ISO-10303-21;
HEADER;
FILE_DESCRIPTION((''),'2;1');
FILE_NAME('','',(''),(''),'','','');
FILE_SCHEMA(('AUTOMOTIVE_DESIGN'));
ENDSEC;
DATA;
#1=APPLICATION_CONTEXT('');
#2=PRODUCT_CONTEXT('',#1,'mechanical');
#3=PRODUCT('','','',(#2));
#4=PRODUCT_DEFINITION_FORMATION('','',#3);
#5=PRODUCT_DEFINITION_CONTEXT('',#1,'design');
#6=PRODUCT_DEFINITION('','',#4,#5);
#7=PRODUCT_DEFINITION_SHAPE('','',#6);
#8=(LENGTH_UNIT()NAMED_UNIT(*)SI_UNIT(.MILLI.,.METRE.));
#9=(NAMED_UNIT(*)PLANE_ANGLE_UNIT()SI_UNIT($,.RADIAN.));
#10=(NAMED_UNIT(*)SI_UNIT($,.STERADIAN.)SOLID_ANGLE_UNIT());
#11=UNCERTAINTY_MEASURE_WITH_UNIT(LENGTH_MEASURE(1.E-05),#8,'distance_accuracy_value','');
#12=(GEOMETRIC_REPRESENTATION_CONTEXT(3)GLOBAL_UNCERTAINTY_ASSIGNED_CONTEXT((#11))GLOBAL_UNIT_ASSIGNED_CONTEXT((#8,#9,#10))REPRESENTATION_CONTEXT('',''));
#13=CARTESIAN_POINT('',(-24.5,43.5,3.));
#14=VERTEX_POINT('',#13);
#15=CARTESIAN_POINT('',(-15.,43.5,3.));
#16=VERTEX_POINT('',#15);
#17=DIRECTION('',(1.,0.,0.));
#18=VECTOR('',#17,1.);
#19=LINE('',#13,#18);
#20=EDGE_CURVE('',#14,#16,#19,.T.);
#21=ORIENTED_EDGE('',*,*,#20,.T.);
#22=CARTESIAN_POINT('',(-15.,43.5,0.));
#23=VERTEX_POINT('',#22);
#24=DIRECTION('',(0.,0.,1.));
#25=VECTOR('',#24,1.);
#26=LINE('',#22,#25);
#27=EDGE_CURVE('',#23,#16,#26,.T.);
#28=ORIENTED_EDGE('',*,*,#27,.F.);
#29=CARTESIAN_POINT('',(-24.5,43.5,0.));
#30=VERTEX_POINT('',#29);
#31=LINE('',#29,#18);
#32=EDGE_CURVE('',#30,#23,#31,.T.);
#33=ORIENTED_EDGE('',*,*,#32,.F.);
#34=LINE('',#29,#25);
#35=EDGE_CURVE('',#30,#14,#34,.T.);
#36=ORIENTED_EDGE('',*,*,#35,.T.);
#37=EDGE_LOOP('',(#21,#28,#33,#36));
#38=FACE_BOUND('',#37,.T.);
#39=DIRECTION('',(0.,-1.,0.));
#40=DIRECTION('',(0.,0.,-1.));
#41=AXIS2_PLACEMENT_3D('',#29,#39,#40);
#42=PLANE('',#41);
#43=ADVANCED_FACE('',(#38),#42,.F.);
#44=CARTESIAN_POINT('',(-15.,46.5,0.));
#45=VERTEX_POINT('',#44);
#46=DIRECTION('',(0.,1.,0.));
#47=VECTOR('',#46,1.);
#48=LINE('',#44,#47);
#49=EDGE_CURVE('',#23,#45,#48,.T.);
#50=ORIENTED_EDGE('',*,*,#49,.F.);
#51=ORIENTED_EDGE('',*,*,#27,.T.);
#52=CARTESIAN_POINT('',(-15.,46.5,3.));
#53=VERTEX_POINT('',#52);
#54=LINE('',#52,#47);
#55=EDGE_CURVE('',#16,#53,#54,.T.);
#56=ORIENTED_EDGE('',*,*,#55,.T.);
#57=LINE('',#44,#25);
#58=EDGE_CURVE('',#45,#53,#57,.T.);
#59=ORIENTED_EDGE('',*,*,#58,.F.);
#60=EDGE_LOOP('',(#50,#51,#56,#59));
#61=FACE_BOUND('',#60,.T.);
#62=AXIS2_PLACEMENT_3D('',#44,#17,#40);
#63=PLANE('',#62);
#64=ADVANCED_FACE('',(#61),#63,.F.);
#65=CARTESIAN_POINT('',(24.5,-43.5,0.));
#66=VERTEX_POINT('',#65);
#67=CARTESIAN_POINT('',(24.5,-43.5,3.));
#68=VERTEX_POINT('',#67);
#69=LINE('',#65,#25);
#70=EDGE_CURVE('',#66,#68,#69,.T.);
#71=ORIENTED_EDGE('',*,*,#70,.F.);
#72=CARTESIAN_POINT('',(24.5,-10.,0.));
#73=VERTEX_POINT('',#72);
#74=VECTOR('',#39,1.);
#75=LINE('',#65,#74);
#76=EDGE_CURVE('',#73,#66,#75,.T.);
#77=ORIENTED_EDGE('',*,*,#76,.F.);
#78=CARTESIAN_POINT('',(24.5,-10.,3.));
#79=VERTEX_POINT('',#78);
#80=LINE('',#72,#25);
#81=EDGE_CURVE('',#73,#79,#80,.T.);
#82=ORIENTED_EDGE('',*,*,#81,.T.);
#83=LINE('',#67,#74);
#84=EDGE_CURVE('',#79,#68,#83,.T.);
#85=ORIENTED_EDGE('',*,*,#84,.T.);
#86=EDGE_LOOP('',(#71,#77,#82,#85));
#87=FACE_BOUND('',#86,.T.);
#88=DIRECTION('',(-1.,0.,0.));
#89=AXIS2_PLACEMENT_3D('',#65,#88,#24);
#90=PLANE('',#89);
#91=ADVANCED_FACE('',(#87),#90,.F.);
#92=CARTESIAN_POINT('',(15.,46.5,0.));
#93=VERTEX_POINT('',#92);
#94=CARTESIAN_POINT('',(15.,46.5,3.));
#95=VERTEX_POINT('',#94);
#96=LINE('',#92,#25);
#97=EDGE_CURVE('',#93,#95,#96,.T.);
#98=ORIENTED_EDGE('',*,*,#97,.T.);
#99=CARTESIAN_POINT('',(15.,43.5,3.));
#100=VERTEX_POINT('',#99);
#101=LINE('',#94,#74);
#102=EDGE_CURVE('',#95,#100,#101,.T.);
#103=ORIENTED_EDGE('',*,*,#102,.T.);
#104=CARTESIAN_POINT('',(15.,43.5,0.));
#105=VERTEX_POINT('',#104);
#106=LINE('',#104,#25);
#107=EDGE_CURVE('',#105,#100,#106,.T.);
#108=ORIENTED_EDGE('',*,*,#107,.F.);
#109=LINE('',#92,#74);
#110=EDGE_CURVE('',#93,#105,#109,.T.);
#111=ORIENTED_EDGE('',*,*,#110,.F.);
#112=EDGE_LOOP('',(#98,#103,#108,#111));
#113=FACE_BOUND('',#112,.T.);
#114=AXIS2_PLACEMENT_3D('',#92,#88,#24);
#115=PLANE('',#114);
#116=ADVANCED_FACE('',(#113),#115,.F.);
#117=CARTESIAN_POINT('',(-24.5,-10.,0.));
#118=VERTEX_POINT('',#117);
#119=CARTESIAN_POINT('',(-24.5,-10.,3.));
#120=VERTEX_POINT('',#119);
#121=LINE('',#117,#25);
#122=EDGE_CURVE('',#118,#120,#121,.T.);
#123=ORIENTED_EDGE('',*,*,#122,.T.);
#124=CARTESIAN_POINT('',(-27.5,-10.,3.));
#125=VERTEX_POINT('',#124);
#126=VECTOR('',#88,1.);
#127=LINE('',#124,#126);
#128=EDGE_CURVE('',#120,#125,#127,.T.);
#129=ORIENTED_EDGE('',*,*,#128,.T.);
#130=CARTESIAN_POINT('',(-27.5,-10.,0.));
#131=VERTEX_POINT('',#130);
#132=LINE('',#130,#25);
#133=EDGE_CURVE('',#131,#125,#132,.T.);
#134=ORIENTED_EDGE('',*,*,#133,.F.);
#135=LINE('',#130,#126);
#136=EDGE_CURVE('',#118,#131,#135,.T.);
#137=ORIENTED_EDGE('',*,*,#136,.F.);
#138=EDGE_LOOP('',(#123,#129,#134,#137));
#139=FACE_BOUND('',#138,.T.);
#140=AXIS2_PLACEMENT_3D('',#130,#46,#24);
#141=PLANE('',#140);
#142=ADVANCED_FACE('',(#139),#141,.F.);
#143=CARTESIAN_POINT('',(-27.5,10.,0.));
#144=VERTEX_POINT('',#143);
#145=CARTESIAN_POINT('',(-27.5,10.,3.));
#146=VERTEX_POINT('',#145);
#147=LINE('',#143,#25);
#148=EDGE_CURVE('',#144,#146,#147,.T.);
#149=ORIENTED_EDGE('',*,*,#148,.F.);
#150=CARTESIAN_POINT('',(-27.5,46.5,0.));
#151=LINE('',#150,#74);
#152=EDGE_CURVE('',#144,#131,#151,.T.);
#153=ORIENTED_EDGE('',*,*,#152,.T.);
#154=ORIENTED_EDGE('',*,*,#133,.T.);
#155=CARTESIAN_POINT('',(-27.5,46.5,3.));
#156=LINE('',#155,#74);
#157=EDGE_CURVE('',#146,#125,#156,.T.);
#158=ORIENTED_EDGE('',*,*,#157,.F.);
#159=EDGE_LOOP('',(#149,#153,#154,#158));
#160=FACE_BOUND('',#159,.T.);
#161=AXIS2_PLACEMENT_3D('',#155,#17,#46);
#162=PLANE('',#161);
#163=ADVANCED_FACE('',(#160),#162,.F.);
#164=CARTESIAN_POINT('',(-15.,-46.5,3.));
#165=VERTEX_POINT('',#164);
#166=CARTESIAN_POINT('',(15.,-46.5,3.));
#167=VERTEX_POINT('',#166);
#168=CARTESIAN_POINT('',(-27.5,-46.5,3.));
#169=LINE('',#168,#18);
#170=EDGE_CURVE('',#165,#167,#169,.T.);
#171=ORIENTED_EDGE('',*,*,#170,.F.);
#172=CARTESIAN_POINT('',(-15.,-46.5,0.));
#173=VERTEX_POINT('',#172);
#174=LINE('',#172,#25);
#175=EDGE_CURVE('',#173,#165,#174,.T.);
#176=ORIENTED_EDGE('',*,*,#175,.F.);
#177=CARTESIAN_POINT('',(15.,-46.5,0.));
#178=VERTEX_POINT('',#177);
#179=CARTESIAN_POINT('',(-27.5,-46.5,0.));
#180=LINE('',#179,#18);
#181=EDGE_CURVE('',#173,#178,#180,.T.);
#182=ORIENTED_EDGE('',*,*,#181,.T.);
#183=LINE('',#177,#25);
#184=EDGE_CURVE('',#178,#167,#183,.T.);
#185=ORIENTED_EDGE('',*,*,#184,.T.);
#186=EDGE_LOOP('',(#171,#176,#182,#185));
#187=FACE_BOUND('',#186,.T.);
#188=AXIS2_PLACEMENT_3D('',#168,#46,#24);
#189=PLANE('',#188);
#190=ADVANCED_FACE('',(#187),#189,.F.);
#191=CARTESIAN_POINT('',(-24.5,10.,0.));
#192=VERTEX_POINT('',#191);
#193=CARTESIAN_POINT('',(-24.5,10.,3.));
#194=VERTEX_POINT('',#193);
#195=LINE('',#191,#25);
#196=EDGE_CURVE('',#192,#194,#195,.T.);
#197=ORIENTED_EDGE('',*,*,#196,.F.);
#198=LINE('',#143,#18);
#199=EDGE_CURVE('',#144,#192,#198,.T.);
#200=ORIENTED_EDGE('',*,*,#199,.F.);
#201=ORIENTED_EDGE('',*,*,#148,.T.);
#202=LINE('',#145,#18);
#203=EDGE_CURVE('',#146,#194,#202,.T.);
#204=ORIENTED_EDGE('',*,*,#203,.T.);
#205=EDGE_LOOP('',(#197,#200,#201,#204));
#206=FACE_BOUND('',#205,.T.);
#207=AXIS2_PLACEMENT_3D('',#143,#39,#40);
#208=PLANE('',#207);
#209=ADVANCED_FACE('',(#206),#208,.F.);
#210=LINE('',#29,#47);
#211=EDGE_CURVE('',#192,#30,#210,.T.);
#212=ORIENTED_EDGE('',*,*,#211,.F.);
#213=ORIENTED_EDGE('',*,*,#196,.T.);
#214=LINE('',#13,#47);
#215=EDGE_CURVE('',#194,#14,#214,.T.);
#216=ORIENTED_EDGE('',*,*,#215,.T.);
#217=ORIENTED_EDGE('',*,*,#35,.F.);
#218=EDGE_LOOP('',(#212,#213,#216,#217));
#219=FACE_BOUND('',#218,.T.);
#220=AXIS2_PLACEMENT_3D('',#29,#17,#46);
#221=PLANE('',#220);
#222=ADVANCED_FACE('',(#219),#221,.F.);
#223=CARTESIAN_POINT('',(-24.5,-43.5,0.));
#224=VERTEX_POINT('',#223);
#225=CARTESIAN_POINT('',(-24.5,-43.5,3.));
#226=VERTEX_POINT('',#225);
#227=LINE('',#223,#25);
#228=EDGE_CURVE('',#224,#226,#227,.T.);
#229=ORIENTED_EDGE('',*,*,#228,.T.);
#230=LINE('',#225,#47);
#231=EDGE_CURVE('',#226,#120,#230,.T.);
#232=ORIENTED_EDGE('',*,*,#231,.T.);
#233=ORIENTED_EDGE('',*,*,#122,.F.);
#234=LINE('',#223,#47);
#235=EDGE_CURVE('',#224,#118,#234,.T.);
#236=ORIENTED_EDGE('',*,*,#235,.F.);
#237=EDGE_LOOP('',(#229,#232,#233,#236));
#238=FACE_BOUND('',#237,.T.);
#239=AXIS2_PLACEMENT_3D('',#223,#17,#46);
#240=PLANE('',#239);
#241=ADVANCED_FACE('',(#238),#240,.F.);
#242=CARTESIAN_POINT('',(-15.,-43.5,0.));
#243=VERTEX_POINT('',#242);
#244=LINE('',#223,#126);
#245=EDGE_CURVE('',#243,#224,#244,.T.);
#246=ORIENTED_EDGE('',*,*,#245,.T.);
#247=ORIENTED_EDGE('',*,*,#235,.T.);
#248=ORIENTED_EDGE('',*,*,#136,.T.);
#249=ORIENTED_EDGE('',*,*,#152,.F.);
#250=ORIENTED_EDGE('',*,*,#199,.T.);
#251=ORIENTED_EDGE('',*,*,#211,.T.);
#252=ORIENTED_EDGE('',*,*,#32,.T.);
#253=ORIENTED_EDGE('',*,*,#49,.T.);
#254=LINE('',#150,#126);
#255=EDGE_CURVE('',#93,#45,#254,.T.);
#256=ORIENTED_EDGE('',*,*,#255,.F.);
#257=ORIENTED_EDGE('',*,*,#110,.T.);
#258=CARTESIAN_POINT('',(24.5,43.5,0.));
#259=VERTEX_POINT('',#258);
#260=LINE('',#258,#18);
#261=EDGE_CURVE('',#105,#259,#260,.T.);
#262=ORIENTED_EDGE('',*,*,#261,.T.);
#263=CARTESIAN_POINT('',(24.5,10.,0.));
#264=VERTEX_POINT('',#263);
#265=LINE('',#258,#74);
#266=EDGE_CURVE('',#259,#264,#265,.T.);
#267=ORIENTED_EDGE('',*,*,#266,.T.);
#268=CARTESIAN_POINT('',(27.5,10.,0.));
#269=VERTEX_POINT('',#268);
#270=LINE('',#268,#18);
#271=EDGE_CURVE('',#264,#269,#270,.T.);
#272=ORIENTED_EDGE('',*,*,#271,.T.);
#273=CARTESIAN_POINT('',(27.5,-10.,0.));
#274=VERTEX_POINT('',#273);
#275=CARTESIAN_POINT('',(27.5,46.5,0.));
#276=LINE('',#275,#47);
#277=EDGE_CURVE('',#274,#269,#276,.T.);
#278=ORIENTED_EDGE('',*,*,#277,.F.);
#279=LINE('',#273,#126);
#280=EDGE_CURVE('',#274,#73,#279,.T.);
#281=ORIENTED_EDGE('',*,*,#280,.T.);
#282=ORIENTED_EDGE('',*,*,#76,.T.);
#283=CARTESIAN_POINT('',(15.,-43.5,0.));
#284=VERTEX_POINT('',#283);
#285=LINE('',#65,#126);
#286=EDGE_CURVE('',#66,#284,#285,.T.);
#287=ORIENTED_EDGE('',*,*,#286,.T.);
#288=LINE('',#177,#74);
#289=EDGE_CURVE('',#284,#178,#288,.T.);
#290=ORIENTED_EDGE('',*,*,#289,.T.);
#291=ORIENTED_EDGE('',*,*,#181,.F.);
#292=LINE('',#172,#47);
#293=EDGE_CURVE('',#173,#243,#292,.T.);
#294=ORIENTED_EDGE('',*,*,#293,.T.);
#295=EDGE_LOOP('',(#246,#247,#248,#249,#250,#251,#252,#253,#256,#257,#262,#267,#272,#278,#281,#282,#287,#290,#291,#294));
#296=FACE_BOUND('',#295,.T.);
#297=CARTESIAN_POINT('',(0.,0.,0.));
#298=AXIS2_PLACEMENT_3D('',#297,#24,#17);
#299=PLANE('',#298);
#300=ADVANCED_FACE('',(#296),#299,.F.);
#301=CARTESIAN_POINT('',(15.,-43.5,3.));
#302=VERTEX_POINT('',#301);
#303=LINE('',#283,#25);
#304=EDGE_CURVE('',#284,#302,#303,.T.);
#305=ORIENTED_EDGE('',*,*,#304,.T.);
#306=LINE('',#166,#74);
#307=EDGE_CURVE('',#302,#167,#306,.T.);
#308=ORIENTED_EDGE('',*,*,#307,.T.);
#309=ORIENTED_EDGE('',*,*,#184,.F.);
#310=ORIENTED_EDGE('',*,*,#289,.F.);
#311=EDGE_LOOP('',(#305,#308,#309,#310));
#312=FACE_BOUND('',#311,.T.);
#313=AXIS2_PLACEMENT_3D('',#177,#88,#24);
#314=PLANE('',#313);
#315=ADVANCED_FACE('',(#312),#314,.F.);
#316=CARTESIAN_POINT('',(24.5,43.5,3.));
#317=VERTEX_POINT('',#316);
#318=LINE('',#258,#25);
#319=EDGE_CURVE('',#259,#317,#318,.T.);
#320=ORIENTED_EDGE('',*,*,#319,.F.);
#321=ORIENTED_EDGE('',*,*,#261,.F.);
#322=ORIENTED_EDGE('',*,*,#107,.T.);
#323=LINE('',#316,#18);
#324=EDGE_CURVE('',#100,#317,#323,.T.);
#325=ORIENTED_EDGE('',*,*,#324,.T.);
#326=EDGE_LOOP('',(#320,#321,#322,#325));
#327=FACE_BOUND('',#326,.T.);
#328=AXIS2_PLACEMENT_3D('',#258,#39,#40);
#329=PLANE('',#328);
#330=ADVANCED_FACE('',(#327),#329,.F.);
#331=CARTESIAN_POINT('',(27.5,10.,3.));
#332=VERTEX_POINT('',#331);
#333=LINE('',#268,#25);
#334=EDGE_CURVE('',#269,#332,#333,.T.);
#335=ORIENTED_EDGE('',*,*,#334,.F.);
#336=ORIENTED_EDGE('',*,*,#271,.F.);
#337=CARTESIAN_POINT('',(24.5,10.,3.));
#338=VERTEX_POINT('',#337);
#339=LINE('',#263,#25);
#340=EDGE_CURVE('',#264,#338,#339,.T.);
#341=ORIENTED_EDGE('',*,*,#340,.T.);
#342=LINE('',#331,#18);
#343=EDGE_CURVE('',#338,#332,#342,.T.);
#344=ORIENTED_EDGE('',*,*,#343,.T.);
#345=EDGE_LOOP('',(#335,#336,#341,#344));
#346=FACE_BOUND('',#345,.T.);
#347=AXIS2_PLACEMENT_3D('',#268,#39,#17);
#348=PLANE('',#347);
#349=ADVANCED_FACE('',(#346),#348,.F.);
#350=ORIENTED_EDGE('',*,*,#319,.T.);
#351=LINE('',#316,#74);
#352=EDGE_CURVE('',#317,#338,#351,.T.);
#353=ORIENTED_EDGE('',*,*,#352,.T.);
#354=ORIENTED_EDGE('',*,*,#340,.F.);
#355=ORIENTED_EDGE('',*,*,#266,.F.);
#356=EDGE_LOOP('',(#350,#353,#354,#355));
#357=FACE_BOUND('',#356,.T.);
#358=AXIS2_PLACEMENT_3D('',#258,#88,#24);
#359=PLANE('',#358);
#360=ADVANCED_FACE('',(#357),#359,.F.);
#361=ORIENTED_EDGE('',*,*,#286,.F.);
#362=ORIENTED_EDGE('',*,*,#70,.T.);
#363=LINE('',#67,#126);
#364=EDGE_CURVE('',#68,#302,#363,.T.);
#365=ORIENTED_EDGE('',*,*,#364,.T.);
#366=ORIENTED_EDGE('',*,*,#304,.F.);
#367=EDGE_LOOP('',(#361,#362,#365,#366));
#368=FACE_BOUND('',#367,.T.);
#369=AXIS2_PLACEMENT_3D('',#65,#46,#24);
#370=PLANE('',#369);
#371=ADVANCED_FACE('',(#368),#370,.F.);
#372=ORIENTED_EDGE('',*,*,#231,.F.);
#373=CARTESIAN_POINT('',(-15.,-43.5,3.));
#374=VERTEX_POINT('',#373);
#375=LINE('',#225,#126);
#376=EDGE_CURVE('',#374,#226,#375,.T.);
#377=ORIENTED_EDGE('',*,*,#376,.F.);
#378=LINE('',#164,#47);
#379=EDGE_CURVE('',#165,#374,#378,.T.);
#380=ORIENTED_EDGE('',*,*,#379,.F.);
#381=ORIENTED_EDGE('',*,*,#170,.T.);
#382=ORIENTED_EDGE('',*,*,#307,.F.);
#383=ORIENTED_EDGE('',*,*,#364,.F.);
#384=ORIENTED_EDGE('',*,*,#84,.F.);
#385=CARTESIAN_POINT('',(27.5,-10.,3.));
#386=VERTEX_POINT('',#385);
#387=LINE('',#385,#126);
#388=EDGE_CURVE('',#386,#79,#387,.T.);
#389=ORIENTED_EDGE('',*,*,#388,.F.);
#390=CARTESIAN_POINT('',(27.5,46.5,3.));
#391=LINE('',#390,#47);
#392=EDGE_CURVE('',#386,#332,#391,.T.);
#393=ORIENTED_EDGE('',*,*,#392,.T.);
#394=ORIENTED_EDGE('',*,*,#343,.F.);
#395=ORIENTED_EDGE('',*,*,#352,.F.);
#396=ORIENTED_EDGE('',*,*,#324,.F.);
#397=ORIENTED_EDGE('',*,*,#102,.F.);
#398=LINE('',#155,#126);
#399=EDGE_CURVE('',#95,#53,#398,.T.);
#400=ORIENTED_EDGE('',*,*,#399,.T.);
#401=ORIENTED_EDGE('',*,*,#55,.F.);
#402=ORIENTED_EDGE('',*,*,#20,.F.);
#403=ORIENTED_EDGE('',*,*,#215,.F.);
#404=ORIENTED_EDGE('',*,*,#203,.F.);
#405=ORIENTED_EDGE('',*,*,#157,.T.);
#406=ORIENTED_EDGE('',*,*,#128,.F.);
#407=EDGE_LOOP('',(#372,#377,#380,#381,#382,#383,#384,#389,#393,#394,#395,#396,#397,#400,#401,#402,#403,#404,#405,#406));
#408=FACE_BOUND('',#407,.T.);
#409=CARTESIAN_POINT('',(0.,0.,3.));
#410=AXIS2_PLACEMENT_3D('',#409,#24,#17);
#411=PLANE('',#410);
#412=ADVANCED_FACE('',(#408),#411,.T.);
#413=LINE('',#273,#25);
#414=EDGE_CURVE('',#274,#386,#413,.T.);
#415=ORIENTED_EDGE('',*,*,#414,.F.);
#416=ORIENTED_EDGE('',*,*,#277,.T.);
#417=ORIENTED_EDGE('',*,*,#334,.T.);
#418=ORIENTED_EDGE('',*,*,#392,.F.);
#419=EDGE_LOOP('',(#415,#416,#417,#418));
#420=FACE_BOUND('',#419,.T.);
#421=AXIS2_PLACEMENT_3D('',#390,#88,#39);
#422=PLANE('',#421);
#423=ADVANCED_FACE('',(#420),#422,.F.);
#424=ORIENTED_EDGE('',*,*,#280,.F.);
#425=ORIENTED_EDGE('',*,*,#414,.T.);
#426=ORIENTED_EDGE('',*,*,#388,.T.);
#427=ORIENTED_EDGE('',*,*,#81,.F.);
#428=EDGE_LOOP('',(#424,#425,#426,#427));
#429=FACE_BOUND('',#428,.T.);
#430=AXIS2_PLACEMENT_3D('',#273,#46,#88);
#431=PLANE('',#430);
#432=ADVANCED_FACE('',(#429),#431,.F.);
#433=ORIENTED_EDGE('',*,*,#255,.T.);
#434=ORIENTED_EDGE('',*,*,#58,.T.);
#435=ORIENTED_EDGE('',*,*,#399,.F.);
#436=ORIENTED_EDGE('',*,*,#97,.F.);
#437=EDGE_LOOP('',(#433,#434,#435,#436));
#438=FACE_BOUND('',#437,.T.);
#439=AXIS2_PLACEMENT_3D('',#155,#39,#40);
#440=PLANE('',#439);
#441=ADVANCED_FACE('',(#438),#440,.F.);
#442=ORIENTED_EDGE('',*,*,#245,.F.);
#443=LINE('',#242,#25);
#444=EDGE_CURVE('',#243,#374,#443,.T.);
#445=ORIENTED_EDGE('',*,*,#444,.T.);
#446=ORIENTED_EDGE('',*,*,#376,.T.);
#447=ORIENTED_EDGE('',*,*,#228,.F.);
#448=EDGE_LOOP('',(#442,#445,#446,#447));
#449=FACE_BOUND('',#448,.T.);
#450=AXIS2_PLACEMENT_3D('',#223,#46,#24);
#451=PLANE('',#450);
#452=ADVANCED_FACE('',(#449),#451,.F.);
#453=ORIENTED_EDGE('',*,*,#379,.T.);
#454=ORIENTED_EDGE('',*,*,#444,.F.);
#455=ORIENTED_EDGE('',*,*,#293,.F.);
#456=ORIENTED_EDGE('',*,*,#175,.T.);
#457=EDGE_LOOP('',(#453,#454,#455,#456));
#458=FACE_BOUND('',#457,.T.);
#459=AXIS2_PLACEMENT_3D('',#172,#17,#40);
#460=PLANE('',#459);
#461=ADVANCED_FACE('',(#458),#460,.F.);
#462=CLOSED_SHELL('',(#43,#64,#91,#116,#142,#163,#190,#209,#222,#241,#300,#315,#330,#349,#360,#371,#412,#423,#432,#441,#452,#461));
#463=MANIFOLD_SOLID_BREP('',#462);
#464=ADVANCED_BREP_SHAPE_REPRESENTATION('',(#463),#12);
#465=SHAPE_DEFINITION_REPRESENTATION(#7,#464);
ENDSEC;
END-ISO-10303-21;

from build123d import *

# Parameters (mm, degrees)
SKETCH1_W           = 55
SKETCH1_H           = 93
BOSS_EXTRUDE1_DEPTH = 3
CUT_EXTRUDE2_DEPTH  = 3


with BuildPart() as part:
    # Sketch1 → Boss-Extrude1 (new body)
    with BuildSketch(Plane.XY):
        Rectangle(SKETCH1_W, SKETCH1_H)
    extrude(amount=BOSS_EXTRUDE1_DEPTH)

    # Sketch2 → Cut-Extrude2 (cut)
    with BuildSketch(Plane.XY.offset(3)):
        Polygon((-27.5, 46.5), (-19.5, 46.5), (-15, 46.5), (-15, 43.5), (-24.5, 43.5), (-24.5, 10), (-27.5, 10), align=None)
        Polygon((-27.5, -46.5), (-27.5, -10), (-24.5, -10), (-24.5, -43.5), (-15, -43.5), (-15, -46.5), (-19.5, -46.5), align=None)
        Polygon((27.5, -46.5), (19.5, -46.5), (15, -46.5), (15, -43.5), (24.5, -43.5), (24.5, -10), (27.5, -10), align=None)
        Polygon((27.5, 46.5), (27.5, 10), (24.5, 10), (24.5, 43.5), (15, 43.5), (15, 46.5), (19.5, 46.5), align=None)
    extrude(amount=-CUT_EXTRUDE2_DEPTH, mode=Mode.SUBTRACT)


solid = part.part
